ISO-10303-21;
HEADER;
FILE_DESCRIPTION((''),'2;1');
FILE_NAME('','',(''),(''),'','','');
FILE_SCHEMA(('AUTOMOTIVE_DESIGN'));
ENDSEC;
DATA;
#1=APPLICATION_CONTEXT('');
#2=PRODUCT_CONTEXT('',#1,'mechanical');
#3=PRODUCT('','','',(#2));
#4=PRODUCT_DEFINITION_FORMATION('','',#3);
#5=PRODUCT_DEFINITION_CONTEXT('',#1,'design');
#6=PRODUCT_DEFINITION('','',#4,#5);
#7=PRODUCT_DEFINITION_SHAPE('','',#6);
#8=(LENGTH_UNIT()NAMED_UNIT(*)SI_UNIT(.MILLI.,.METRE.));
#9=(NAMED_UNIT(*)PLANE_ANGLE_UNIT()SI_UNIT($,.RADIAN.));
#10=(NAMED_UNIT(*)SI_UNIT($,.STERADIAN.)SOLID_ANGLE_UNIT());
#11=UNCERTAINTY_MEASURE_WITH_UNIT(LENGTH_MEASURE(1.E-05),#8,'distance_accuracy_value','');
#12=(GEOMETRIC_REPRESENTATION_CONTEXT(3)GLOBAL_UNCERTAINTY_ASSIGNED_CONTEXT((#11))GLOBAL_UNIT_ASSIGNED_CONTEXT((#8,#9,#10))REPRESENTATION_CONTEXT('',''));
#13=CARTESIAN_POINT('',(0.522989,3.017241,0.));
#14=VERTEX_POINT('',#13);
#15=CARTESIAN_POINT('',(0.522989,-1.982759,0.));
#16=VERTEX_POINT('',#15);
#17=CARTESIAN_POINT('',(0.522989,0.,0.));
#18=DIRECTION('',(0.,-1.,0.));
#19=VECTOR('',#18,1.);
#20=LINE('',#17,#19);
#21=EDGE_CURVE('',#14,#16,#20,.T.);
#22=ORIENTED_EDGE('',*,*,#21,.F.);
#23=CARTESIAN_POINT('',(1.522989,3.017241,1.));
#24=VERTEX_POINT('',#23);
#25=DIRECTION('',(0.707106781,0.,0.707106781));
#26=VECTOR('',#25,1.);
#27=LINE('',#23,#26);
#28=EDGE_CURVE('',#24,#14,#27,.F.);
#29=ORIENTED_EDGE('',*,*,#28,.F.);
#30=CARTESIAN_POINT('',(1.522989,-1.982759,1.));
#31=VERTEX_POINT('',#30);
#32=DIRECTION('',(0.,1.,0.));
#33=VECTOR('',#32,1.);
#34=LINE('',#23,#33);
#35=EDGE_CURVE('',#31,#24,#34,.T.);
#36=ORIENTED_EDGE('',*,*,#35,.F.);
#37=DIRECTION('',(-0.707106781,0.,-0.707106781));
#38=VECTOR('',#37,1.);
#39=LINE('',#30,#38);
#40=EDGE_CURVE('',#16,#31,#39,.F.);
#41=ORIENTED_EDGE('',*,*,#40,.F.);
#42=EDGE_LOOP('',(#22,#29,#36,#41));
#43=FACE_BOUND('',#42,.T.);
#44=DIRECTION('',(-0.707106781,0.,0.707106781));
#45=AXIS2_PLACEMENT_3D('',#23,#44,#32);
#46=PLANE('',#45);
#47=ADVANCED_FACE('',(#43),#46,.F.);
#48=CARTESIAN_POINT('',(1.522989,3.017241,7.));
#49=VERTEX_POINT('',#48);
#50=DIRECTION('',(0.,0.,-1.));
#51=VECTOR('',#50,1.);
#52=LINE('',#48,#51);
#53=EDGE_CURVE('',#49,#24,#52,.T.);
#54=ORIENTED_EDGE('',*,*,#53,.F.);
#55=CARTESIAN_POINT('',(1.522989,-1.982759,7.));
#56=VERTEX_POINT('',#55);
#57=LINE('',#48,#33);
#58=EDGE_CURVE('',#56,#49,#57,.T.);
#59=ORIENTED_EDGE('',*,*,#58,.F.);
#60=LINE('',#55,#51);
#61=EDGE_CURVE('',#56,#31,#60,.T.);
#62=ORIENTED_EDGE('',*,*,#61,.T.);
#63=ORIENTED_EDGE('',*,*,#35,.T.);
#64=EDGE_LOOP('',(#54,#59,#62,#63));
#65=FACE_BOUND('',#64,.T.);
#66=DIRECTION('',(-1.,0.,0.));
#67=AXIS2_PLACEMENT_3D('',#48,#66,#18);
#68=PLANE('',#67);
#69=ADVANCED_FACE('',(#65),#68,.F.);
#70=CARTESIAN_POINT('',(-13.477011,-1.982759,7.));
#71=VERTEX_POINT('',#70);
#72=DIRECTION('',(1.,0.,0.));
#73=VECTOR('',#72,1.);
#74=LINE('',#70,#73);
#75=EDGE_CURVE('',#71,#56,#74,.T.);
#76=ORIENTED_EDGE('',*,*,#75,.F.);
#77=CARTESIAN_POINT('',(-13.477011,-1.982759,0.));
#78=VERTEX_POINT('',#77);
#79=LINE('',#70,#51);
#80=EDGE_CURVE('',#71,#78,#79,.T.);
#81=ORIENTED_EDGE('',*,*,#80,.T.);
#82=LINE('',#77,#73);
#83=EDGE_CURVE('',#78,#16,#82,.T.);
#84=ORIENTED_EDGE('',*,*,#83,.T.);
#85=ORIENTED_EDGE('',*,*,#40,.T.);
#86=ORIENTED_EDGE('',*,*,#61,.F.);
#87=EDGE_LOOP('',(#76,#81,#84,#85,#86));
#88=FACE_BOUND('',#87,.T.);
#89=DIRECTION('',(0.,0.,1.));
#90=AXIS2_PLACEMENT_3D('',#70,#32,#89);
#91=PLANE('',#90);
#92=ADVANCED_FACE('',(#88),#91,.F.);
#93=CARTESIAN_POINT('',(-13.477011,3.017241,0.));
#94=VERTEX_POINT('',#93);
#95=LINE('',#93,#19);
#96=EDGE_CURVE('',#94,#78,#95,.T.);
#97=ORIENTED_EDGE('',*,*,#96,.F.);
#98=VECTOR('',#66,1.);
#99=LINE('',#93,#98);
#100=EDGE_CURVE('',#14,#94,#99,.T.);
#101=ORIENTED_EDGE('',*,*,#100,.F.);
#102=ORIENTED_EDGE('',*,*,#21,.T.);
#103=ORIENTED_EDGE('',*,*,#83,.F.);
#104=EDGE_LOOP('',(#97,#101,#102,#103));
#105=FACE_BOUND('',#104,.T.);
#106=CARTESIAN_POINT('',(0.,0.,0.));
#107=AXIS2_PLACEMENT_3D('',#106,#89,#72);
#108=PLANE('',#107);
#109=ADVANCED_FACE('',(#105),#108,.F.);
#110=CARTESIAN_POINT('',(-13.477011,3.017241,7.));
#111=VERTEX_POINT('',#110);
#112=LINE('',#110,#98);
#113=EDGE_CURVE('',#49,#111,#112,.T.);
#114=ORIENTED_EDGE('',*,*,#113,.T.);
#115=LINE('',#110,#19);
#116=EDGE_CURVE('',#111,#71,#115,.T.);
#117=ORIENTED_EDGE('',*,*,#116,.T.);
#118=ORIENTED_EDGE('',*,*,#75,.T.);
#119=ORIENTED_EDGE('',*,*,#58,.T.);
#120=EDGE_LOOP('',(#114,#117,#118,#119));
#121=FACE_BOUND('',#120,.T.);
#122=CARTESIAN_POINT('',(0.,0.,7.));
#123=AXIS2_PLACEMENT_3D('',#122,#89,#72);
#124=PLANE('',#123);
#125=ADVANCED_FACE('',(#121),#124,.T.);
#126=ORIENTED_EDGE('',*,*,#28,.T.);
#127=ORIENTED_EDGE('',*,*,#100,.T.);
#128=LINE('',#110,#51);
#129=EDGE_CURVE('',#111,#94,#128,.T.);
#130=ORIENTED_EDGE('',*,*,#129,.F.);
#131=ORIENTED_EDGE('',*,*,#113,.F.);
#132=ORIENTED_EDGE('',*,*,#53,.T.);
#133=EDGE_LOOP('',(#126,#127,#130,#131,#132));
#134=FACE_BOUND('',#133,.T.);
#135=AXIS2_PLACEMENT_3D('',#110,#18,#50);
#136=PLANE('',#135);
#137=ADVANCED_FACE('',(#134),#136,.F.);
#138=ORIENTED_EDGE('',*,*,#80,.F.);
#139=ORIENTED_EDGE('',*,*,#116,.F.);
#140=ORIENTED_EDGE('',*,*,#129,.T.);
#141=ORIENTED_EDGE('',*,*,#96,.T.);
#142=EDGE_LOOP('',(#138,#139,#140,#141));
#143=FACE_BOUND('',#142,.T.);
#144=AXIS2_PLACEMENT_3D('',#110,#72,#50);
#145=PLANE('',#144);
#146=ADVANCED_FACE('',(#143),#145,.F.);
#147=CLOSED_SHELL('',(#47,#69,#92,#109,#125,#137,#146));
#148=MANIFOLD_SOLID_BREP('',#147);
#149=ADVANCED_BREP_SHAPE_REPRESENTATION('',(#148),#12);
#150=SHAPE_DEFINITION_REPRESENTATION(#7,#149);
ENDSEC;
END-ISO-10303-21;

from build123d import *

# Parameters (mm, degrees)
SKETCH_1_W      = 15
SKETCH_1_H      = 5
EXTRUDE_1_DEPTH = 7
CHAMFER_1_SIZE  = 1


with BuildPart() as part:
    # 草图1 → 凸台-拉伸1 (new body)
    with BuildSketch(Plane.XY):
        with Locations((-5.977011494, 0.517241379)):
            Rectangle(SKETCH_1_W, SKETCH_1_H)
    extrude(amount=EXTRUDE_1_DEPTH)

    # 倒角1
    chamfer_1_edges = [part.edges().sort_by_distance(p)[0] for p in [
        (1.522988506, 0.517241379, 0),
    ]]
    chamfer(chamfer_1_edges, length=CHAMFER_1_SIZE)


solid = part.part
